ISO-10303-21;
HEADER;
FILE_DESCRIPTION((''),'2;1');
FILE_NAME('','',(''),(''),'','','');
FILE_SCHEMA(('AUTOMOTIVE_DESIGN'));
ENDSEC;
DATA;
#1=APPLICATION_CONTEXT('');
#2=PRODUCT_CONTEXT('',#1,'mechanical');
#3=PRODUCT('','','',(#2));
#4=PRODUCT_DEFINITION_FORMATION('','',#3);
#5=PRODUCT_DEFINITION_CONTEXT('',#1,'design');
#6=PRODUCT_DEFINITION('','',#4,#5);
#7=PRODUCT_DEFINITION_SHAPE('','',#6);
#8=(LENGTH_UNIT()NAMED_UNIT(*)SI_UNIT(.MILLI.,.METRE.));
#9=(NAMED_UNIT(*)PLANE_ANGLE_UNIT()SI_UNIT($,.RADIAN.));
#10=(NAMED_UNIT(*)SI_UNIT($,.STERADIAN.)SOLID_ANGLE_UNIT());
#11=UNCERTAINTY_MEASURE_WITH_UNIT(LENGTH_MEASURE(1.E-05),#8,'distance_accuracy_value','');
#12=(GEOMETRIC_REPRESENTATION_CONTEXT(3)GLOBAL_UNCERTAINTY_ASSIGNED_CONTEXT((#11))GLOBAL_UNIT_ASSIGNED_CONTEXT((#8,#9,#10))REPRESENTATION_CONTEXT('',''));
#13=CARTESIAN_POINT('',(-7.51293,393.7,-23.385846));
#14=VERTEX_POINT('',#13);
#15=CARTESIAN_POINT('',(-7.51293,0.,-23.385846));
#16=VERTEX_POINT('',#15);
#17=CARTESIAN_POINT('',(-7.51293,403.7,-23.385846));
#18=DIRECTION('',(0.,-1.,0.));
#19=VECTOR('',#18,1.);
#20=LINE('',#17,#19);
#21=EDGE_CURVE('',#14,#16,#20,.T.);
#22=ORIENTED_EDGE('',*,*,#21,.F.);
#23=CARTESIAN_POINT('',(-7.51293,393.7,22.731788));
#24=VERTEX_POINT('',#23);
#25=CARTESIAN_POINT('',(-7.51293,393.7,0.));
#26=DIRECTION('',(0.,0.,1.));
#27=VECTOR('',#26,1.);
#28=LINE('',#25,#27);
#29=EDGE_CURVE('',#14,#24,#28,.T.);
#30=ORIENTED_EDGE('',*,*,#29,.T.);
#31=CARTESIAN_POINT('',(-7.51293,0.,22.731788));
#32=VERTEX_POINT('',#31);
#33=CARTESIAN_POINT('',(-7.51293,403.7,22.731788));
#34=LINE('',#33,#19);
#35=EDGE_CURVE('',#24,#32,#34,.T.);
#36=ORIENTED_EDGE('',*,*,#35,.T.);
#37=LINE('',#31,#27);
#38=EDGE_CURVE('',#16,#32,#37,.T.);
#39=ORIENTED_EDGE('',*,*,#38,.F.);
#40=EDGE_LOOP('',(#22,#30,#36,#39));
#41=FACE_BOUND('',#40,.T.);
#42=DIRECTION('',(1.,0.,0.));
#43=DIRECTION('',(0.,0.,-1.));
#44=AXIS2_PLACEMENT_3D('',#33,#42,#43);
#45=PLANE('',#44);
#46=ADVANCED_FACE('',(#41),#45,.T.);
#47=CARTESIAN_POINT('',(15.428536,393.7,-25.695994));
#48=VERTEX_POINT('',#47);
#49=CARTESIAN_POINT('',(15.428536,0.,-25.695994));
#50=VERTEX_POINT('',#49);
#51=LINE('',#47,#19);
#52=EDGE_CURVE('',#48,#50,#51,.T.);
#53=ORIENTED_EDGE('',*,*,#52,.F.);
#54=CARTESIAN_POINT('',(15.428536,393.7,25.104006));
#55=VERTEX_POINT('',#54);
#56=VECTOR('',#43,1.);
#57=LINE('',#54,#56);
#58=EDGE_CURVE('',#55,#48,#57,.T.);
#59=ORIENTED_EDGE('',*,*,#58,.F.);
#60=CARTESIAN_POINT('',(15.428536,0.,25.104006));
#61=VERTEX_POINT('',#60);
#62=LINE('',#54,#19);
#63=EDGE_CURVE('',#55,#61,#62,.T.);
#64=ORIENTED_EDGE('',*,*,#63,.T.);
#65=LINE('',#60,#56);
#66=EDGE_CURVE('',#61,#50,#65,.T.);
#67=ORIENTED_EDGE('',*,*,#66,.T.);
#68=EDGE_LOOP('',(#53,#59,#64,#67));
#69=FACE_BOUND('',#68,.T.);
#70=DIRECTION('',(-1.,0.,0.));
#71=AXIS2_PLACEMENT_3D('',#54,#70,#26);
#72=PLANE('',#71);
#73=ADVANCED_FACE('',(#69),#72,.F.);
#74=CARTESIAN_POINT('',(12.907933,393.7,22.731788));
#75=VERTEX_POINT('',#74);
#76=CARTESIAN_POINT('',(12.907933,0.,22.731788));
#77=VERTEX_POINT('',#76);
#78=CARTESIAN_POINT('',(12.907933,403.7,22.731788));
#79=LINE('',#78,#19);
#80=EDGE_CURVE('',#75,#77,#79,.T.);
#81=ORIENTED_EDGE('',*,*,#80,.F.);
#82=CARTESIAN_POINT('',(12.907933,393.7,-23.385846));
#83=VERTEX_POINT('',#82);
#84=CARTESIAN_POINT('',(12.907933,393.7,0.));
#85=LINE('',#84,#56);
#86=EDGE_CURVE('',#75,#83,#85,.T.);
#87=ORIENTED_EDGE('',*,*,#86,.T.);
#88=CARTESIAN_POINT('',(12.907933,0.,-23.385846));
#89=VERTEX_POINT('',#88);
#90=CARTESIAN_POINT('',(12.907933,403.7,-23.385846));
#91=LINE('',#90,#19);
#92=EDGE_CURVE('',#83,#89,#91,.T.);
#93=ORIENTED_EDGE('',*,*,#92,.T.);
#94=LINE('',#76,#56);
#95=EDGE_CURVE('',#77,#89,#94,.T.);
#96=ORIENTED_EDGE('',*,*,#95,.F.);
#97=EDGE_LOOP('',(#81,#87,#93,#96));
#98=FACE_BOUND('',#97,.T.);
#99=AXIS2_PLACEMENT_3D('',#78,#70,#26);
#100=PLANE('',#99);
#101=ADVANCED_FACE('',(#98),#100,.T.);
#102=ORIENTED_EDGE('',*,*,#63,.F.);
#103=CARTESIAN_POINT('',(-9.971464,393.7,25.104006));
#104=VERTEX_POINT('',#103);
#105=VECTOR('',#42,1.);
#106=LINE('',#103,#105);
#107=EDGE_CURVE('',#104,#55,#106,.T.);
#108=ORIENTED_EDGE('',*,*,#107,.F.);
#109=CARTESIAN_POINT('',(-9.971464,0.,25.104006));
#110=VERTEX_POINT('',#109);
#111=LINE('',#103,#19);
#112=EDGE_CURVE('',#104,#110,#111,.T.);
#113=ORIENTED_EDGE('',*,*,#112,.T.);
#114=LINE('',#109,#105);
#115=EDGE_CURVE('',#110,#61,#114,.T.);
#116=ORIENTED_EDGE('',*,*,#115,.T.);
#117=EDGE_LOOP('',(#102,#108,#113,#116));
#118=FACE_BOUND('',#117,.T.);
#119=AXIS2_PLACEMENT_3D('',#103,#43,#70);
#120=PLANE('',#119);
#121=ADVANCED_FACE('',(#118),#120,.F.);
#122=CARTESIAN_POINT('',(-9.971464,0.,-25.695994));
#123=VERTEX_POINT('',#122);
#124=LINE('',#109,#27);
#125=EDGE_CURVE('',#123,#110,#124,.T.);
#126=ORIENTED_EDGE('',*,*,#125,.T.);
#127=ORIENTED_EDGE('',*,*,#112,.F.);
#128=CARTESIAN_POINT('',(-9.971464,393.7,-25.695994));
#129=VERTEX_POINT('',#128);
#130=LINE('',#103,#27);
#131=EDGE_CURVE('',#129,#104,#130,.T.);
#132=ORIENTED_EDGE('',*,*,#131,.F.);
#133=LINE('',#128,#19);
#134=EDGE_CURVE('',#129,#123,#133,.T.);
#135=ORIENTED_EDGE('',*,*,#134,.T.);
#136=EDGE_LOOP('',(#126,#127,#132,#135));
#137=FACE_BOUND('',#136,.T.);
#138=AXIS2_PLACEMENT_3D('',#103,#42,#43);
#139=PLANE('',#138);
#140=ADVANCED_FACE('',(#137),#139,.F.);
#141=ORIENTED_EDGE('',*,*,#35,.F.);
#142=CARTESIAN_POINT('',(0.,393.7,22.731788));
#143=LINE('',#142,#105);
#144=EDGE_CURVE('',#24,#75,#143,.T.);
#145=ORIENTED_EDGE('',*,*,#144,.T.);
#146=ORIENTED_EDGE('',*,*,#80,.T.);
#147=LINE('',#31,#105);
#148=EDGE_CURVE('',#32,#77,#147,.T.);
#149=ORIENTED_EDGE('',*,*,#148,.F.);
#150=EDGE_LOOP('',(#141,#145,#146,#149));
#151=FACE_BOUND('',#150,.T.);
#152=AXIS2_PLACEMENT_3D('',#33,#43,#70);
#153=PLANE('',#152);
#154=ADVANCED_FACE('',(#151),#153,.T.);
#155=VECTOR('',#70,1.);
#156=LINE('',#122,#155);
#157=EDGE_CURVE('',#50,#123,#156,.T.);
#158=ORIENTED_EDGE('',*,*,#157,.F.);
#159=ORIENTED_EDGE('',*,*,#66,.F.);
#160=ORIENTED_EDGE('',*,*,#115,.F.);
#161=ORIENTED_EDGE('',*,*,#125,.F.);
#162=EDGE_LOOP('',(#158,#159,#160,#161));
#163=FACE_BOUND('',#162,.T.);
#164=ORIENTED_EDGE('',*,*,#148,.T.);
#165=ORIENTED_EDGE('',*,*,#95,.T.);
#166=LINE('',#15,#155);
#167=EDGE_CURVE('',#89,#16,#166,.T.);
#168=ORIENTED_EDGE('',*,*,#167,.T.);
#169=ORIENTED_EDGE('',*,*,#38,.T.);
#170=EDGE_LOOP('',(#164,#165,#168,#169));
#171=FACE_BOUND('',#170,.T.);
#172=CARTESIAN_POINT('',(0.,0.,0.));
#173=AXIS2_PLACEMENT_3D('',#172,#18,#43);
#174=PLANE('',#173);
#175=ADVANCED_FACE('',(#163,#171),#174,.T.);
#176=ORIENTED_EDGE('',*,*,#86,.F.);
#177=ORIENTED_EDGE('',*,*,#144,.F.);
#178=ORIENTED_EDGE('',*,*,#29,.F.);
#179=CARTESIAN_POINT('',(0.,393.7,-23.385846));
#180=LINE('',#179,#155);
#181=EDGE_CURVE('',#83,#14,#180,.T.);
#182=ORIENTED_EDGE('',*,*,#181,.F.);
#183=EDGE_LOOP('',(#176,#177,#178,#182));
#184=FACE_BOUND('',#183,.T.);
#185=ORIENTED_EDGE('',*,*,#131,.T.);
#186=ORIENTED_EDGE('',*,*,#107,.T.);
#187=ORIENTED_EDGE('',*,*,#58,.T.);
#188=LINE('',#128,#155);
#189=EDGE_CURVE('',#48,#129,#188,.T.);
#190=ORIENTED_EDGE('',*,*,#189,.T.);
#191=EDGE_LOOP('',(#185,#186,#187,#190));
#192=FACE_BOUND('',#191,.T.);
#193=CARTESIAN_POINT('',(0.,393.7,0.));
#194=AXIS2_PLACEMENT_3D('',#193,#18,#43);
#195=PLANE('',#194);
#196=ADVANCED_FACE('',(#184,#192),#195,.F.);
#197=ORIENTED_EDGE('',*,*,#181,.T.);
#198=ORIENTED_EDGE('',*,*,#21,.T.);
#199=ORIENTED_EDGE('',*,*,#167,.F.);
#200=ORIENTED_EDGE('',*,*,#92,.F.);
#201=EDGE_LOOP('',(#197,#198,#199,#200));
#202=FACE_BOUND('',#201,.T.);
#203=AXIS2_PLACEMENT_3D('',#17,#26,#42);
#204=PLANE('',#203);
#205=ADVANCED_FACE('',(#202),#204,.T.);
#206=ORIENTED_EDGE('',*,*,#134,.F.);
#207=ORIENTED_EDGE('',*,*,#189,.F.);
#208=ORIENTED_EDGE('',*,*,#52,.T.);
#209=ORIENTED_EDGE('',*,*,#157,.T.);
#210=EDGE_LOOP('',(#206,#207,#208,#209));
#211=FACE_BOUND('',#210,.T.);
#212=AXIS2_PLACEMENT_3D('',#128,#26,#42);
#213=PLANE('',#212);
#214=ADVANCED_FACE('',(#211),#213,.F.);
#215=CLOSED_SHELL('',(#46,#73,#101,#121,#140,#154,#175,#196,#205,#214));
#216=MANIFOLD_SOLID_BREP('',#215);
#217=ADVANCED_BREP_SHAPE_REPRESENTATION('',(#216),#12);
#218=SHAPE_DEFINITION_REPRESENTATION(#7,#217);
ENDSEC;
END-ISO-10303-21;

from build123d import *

# Parameters (mm, degrees)
SKETCH1_W               = 25.4
SKETCH1_H               = 50.8
BOSS_EXTRUDE1_DEPTH     = 393.7
CUT_EXTRUDE1_DEPTH      = 10
CUT_EXTRUDE1_DEPTH_BACK = 393.7
SKETCH5_W               = 20.420863107
SKETCH5_H               = 46.117633818


with BuildPart() as part:
    # Sketch1 → Boss-Extrude1 (new body)
    with BuildSketch(Plane(origin=(0, 0, 0), x_dir=(1, 0, 0), z_dir=(0, 1, 0))):
        with Locations((2.728536082, 0.295993891)):
            Rectangle(SKETCH1_W, SKETCH1_H)
    extrude(amount=BOSS_EXTRUDE1_DEPTH)

    # Sketch5 → Cut-Extrude1 (cut, two sides: drawn at the far end of the back side and taken through both)
    with BuildSketch(Plane(origin=(0, 393.7, 0), x_dir=(1, 0, 0), z_dir=(0, 1, 0)).offset(-CUT_EXTRUDE1_DEPTH_BACK)):
        with Locations((2.697501427, 0.327028619)):
            Rectangle(SKETCH5_W, SKETCH5_H)
    extrude(amount=CUT_EXTRUDE1_DEPTH + CUT_EXTRUDE1_DEPTH_BACK, mode=Mode.SUBTRACT)


solid = part.part
